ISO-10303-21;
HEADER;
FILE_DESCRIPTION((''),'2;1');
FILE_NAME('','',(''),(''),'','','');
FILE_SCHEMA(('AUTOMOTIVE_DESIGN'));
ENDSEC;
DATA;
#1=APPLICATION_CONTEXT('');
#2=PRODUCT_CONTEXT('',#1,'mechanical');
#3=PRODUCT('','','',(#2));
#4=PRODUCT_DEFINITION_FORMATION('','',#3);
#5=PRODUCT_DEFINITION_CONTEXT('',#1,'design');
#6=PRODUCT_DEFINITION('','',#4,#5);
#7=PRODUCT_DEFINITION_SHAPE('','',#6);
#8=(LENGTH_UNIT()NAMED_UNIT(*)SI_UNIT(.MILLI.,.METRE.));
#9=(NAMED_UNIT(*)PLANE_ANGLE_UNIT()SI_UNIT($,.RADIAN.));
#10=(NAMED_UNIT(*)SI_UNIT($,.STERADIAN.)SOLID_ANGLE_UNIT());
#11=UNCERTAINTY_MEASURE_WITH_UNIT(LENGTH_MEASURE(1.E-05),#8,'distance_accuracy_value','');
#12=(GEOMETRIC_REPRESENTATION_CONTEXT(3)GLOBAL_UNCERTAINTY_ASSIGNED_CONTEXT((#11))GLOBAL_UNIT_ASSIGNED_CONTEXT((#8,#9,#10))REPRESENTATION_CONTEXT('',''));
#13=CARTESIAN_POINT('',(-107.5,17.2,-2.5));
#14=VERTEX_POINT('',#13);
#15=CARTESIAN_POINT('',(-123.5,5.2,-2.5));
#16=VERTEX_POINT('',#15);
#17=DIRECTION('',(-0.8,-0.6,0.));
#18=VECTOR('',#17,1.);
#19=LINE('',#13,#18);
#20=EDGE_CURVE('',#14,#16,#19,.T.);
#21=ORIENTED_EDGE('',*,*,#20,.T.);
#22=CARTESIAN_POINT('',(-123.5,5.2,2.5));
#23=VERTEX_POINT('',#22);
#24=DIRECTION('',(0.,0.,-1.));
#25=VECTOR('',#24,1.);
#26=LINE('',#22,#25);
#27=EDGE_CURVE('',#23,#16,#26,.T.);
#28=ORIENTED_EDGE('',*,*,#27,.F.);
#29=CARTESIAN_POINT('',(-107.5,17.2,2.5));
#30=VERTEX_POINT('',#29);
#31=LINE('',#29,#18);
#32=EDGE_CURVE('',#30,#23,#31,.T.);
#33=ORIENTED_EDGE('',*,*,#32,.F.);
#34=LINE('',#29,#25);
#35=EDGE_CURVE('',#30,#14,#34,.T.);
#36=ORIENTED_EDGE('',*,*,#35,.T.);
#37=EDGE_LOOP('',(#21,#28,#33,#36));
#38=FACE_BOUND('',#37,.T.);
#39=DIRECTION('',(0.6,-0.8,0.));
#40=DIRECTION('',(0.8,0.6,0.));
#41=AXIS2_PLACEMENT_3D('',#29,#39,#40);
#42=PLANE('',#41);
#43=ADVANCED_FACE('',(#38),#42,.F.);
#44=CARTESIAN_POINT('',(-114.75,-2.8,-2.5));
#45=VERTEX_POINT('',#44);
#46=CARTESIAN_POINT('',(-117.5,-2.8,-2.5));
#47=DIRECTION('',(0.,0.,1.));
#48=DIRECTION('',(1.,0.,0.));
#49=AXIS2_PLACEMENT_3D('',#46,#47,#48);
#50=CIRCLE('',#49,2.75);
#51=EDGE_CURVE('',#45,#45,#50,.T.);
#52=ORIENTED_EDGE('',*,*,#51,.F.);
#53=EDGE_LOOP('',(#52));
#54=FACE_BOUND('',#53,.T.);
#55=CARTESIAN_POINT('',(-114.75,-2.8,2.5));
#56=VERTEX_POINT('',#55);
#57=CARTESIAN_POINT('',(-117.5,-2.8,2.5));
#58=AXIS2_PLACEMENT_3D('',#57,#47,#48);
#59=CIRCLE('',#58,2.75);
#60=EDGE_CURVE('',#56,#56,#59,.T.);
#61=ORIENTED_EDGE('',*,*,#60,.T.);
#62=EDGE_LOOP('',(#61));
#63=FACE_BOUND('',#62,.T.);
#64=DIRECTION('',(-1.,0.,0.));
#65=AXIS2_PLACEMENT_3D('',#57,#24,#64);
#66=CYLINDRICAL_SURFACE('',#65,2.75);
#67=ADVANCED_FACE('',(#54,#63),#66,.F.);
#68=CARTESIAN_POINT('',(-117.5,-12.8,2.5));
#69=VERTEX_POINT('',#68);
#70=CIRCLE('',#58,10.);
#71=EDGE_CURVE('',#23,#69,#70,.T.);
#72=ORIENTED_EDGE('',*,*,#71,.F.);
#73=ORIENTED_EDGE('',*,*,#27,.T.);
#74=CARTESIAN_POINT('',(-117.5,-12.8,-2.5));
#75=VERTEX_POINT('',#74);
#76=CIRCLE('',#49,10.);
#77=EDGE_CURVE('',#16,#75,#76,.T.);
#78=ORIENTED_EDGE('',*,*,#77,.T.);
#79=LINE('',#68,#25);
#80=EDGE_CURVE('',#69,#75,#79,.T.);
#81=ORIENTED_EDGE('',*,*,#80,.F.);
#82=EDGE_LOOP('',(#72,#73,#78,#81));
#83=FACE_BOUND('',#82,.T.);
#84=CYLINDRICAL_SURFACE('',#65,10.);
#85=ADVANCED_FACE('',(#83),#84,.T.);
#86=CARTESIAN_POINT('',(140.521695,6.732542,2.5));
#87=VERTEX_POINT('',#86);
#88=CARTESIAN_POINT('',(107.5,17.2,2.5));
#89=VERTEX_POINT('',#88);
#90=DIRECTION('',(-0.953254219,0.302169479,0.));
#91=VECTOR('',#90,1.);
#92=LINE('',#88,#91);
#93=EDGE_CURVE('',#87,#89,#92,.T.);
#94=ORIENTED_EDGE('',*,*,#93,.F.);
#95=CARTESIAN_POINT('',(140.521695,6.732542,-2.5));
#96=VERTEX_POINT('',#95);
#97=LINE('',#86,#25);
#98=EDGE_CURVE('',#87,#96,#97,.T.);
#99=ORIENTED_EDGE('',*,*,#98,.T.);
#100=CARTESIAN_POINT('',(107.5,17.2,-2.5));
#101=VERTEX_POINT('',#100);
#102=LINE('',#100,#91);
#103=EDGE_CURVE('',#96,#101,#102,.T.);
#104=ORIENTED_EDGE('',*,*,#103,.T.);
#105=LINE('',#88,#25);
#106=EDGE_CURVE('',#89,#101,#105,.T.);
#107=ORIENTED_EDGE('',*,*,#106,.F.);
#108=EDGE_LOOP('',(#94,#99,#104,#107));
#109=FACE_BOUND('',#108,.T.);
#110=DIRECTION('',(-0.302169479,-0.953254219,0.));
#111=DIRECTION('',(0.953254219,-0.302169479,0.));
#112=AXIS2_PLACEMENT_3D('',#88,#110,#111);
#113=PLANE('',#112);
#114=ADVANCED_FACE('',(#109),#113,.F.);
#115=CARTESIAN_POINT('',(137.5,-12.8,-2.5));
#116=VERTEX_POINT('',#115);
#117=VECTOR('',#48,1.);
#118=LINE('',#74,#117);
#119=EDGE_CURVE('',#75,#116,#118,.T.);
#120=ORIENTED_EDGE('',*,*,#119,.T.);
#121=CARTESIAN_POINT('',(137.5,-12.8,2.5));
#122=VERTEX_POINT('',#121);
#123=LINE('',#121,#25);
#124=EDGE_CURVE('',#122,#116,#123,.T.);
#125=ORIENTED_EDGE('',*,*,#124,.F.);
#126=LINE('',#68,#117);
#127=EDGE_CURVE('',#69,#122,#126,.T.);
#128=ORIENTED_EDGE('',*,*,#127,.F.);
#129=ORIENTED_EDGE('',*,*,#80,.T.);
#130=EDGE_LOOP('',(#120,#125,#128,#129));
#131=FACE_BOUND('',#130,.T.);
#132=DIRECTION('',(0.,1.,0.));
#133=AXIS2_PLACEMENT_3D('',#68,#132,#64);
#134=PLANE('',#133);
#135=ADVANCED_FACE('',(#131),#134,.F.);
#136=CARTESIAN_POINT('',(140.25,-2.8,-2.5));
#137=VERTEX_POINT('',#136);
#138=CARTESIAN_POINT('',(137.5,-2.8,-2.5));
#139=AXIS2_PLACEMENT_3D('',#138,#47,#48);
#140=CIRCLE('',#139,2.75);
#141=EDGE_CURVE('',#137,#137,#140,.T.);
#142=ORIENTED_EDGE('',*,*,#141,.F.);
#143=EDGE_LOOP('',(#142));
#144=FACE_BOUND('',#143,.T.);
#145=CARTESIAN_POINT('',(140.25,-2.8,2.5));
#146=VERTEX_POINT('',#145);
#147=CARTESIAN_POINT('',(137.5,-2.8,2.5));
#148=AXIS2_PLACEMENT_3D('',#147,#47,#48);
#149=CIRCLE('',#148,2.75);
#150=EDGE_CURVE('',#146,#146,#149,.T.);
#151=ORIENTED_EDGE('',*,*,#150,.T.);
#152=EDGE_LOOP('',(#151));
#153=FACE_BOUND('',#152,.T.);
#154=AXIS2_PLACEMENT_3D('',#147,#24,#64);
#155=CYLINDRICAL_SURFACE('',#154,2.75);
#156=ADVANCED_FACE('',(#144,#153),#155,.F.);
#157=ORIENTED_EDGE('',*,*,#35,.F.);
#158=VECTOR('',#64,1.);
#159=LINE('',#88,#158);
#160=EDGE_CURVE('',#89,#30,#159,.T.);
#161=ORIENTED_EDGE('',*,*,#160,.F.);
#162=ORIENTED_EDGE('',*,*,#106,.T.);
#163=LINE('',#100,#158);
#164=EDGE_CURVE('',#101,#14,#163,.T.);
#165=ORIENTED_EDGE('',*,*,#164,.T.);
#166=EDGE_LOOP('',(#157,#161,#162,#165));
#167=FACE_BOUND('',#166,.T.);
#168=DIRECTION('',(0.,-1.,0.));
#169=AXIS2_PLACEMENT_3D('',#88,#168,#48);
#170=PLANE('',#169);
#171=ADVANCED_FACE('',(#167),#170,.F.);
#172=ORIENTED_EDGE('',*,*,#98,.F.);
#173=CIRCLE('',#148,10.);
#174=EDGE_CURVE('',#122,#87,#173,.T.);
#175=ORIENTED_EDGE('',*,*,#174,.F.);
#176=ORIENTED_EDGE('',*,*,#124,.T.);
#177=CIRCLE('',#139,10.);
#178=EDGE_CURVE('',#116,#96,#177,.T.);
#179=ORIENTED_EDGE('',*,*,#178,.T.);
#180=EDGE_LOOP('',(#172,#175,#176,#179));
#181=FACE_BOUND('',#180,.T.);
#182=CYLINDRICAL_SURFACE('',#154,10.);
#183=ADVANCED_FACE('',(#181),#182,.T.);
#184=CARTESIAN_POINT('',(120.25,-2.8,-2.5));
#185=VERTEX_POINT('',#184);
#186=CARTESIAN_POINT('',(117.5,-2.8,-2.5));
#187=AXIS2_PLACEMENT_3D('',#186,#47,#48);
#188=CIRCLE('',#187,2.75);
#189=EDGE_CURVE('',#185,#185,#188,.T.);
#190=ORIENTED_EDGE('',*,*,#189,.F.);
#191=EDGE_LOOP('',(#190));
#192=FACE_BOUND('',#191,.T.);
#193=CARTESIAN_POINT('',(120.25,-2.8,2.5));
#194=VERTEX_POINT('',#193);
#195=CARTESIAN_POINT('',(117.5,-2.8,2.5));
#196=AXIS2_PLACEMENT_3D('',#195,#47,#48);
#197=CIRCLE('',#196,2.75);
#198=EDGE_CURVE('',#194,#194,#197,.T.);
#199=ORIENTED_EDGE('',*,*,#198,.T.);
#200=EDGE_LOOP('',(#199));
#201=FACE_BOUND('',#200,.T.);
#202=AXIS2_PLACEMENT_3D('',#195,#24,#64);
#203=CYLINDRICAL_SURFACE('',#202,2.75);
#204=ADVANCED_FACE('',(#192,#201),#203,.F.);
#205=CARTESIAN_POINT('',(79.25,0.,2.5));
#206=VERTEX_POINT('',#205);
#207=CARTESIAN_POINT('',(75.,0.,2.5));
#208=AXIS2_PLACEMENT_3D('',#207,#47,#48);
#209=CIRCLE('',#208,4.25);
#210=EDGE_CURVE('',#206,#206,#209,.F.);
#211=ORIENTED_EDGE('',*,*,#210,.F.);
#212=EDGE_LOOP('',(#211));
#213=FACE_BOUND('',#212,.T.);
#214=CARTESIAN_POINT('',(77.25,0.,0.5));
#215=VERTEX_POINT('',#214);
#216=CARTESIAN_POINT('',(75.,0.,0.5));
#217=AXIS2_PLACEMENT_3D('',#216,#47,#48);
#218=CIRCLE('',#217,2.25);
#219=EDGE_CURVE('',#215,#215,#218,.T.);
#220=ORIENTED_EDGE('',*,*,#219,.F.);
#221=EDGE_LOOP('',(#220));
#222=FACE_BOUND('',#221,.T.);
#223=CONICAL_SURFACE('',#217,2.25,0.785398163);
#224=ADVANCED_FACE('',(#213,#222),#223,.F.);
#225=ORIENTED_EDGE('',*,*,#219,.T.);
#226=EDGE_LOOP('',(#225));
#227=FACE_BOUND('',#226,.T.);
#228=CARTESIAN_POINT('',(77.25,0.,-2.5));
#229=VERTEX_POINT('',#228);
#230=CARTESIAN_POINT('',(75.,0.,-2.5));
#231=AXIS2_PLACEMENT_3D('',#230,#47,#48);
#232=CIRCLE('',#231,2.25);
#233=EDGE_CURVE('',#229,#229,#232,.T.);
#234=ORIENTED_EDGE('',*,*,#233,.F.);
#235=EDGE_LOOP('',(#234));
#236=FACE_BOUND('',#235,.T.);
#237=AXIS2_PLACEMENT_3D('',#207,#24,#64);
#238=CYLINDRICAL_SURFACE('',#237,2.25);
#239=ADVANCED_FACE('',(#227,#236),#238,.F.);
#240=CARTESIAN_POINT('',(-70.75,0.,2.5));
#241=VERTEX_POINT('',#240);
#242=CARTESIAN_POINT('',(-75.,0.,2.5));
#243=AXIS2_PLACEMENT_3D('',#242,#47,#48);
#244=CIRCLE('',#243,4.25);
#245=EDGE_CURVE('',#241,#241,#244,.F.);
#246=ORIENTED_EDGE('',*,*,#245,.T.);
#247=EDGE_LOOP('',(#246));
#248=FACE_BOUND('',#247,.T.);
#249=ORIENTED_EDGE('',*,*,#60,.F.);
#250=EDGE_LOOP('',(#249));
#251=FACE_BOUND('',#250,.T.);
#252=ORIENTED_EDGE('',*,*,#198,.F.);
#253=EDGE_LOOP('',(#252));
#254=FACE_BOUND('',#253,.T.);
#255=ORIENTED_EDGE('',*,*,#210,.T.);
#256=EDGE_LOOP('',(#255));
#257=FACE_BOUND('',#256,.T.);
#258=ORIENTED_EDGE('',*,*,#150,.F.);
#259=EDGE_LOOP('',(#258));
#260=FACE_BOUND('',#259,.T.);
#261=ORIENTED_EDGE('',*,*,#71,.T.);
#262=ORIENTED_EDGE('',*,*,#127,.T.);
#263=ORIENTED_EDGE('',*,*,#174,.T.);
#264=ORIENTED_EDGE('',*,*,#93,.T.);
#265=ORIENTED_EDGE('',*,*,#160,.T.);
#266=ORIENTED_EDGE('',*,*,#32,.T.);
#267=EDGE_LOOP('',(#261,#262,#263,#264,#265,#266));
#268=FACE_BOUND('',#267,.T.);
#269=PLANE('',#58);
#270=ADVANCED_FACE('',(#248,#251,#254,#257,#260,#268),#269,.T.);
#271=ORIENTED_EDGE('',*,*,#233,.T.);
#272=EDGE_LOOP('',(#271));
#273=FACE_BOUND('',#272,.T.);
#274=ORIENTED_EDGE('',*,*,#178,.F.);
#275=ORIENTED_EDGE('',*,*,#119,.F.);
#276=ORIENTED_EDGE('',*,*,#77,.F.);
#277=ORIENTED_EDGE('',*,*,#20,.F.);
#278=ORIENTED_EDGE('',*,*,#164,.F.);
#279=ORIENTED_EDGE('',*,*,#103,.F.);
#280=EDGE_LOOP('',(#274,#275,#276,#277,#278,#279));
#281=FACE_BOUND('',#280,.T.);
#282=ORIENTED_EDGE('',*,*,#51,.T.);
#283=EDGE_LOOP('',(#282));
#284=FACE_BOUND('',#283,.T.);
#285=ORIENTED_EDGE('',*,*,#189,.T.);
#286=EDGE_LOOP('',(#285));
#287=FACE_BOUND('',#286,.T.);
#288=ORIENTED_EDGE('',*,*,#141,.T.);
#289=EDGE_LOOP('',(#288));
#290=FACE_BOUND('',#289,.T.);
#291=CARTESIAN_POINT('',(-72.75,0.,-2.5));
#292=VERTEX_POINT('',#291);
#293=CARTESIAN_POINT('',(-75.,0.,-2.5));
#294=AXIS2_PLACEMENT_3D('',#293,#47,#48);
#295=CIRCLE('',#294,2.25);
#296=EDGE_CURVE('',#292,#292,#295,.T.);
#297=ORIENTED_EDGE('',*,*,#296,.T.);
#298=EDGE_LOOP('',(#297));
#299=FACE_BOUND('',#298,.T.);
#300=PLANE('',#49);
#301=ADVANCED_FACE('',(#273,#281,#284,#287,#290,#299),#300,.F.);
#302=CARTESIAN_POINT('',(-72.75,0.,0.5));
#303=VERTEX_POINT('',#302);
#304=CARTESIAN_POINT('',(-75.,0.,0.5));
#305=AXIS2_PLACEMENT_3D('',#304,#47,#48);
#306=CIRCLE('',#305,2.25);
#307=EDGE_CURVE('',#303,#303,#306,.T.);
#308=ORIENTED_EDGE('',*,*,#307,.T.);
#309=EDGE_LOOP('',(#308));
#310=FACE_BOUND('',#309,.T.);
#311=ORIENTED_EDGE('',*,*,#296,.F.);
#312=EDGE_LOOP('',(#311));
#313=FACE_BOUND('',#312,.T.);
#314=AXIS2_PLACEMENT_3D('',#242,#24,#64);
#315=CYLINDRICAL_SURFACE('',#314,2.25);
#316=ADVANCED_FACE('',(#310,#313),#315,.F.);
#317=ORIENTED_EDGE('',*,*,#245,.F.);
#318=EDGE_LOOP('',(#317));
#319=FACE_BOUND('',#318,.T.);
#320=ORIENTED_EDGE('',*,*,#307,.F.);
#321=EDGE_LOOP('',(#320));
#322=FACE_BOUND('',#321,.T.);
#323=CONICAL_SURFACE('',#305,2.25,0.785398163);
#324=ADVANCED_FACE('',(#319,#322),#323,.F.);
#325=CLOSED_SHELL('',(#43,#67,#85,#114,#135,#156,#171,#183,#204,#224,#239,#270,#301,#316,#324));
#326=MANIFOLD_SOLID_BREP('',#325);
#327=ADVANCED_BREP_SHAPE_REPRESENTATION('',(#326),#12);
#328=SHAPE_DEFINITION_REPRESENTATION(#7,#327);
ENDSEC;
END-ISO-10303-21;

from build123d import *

# Parameters (mm, degrees)
SKETCH1_R           = 2.25
SKETCH1_R_2         = 2.75
BOSS_EXTRUDE1_DEPTH = 2.5
CHAMFER1_SIZE       = 2


with BuildPart() as part:
    # Sketch1 → Boss-Extrude1 (new body, symmetric)
    with BuildSketch(Plane.XY):
        with BuildLine():
            Line((-117.5, -12.8), (137.5, -12.8))
            ThreePointArc((137.5, -12.8), (147.382444583, -4.328819498), (140.521694793, 6.732542189))
            Line((140.521694793, 6.732542189), (107.5, 17.2))
            Line((107.5, 17.2), (-107.5, 17.2))
            Line((-107.5, 17.2), (-123.5, 5.2))
            ThreePointArc((-123.5, 5.2), (-126.986832981, -5.96227766), (-117.5, -12.8))
        make_face()
        with Locations((75, 0)):
            Circle(SKETCH1_R, mode=Mode.SUBTRACT)
        with Locations((-75, 0)):
            Circle(SKETCH1_R, mode=Mode.SUBTRACT)
        with Locations((-117.5, -2.8)):
            Circle(SKETCH1_R_2, mode=Mode.SUBTRACT)
        with Locations((117.5, -2.8)):
            Circle(SKETCH1_R_2, mode=Mode.SUBTRACT)
        with Locations((137.5, -2.8)):
            Circle(SKETCH1_R_2, mode=Mode.SUBTRACT)
    extrude(amount=BOSS_EXTRUDE1_DEPTH, both=True)

    # Chamfer1
    chamfer1_edges = [part.edges().sort_by_distance(p)[0] for p in [
        (-77.25, 0, 2.5),
        (72.75, 0, 2.5),
    ]]
    chamfer(chamfer1_edges, length=CHAMFER1_SIZE)


solid = part.part
